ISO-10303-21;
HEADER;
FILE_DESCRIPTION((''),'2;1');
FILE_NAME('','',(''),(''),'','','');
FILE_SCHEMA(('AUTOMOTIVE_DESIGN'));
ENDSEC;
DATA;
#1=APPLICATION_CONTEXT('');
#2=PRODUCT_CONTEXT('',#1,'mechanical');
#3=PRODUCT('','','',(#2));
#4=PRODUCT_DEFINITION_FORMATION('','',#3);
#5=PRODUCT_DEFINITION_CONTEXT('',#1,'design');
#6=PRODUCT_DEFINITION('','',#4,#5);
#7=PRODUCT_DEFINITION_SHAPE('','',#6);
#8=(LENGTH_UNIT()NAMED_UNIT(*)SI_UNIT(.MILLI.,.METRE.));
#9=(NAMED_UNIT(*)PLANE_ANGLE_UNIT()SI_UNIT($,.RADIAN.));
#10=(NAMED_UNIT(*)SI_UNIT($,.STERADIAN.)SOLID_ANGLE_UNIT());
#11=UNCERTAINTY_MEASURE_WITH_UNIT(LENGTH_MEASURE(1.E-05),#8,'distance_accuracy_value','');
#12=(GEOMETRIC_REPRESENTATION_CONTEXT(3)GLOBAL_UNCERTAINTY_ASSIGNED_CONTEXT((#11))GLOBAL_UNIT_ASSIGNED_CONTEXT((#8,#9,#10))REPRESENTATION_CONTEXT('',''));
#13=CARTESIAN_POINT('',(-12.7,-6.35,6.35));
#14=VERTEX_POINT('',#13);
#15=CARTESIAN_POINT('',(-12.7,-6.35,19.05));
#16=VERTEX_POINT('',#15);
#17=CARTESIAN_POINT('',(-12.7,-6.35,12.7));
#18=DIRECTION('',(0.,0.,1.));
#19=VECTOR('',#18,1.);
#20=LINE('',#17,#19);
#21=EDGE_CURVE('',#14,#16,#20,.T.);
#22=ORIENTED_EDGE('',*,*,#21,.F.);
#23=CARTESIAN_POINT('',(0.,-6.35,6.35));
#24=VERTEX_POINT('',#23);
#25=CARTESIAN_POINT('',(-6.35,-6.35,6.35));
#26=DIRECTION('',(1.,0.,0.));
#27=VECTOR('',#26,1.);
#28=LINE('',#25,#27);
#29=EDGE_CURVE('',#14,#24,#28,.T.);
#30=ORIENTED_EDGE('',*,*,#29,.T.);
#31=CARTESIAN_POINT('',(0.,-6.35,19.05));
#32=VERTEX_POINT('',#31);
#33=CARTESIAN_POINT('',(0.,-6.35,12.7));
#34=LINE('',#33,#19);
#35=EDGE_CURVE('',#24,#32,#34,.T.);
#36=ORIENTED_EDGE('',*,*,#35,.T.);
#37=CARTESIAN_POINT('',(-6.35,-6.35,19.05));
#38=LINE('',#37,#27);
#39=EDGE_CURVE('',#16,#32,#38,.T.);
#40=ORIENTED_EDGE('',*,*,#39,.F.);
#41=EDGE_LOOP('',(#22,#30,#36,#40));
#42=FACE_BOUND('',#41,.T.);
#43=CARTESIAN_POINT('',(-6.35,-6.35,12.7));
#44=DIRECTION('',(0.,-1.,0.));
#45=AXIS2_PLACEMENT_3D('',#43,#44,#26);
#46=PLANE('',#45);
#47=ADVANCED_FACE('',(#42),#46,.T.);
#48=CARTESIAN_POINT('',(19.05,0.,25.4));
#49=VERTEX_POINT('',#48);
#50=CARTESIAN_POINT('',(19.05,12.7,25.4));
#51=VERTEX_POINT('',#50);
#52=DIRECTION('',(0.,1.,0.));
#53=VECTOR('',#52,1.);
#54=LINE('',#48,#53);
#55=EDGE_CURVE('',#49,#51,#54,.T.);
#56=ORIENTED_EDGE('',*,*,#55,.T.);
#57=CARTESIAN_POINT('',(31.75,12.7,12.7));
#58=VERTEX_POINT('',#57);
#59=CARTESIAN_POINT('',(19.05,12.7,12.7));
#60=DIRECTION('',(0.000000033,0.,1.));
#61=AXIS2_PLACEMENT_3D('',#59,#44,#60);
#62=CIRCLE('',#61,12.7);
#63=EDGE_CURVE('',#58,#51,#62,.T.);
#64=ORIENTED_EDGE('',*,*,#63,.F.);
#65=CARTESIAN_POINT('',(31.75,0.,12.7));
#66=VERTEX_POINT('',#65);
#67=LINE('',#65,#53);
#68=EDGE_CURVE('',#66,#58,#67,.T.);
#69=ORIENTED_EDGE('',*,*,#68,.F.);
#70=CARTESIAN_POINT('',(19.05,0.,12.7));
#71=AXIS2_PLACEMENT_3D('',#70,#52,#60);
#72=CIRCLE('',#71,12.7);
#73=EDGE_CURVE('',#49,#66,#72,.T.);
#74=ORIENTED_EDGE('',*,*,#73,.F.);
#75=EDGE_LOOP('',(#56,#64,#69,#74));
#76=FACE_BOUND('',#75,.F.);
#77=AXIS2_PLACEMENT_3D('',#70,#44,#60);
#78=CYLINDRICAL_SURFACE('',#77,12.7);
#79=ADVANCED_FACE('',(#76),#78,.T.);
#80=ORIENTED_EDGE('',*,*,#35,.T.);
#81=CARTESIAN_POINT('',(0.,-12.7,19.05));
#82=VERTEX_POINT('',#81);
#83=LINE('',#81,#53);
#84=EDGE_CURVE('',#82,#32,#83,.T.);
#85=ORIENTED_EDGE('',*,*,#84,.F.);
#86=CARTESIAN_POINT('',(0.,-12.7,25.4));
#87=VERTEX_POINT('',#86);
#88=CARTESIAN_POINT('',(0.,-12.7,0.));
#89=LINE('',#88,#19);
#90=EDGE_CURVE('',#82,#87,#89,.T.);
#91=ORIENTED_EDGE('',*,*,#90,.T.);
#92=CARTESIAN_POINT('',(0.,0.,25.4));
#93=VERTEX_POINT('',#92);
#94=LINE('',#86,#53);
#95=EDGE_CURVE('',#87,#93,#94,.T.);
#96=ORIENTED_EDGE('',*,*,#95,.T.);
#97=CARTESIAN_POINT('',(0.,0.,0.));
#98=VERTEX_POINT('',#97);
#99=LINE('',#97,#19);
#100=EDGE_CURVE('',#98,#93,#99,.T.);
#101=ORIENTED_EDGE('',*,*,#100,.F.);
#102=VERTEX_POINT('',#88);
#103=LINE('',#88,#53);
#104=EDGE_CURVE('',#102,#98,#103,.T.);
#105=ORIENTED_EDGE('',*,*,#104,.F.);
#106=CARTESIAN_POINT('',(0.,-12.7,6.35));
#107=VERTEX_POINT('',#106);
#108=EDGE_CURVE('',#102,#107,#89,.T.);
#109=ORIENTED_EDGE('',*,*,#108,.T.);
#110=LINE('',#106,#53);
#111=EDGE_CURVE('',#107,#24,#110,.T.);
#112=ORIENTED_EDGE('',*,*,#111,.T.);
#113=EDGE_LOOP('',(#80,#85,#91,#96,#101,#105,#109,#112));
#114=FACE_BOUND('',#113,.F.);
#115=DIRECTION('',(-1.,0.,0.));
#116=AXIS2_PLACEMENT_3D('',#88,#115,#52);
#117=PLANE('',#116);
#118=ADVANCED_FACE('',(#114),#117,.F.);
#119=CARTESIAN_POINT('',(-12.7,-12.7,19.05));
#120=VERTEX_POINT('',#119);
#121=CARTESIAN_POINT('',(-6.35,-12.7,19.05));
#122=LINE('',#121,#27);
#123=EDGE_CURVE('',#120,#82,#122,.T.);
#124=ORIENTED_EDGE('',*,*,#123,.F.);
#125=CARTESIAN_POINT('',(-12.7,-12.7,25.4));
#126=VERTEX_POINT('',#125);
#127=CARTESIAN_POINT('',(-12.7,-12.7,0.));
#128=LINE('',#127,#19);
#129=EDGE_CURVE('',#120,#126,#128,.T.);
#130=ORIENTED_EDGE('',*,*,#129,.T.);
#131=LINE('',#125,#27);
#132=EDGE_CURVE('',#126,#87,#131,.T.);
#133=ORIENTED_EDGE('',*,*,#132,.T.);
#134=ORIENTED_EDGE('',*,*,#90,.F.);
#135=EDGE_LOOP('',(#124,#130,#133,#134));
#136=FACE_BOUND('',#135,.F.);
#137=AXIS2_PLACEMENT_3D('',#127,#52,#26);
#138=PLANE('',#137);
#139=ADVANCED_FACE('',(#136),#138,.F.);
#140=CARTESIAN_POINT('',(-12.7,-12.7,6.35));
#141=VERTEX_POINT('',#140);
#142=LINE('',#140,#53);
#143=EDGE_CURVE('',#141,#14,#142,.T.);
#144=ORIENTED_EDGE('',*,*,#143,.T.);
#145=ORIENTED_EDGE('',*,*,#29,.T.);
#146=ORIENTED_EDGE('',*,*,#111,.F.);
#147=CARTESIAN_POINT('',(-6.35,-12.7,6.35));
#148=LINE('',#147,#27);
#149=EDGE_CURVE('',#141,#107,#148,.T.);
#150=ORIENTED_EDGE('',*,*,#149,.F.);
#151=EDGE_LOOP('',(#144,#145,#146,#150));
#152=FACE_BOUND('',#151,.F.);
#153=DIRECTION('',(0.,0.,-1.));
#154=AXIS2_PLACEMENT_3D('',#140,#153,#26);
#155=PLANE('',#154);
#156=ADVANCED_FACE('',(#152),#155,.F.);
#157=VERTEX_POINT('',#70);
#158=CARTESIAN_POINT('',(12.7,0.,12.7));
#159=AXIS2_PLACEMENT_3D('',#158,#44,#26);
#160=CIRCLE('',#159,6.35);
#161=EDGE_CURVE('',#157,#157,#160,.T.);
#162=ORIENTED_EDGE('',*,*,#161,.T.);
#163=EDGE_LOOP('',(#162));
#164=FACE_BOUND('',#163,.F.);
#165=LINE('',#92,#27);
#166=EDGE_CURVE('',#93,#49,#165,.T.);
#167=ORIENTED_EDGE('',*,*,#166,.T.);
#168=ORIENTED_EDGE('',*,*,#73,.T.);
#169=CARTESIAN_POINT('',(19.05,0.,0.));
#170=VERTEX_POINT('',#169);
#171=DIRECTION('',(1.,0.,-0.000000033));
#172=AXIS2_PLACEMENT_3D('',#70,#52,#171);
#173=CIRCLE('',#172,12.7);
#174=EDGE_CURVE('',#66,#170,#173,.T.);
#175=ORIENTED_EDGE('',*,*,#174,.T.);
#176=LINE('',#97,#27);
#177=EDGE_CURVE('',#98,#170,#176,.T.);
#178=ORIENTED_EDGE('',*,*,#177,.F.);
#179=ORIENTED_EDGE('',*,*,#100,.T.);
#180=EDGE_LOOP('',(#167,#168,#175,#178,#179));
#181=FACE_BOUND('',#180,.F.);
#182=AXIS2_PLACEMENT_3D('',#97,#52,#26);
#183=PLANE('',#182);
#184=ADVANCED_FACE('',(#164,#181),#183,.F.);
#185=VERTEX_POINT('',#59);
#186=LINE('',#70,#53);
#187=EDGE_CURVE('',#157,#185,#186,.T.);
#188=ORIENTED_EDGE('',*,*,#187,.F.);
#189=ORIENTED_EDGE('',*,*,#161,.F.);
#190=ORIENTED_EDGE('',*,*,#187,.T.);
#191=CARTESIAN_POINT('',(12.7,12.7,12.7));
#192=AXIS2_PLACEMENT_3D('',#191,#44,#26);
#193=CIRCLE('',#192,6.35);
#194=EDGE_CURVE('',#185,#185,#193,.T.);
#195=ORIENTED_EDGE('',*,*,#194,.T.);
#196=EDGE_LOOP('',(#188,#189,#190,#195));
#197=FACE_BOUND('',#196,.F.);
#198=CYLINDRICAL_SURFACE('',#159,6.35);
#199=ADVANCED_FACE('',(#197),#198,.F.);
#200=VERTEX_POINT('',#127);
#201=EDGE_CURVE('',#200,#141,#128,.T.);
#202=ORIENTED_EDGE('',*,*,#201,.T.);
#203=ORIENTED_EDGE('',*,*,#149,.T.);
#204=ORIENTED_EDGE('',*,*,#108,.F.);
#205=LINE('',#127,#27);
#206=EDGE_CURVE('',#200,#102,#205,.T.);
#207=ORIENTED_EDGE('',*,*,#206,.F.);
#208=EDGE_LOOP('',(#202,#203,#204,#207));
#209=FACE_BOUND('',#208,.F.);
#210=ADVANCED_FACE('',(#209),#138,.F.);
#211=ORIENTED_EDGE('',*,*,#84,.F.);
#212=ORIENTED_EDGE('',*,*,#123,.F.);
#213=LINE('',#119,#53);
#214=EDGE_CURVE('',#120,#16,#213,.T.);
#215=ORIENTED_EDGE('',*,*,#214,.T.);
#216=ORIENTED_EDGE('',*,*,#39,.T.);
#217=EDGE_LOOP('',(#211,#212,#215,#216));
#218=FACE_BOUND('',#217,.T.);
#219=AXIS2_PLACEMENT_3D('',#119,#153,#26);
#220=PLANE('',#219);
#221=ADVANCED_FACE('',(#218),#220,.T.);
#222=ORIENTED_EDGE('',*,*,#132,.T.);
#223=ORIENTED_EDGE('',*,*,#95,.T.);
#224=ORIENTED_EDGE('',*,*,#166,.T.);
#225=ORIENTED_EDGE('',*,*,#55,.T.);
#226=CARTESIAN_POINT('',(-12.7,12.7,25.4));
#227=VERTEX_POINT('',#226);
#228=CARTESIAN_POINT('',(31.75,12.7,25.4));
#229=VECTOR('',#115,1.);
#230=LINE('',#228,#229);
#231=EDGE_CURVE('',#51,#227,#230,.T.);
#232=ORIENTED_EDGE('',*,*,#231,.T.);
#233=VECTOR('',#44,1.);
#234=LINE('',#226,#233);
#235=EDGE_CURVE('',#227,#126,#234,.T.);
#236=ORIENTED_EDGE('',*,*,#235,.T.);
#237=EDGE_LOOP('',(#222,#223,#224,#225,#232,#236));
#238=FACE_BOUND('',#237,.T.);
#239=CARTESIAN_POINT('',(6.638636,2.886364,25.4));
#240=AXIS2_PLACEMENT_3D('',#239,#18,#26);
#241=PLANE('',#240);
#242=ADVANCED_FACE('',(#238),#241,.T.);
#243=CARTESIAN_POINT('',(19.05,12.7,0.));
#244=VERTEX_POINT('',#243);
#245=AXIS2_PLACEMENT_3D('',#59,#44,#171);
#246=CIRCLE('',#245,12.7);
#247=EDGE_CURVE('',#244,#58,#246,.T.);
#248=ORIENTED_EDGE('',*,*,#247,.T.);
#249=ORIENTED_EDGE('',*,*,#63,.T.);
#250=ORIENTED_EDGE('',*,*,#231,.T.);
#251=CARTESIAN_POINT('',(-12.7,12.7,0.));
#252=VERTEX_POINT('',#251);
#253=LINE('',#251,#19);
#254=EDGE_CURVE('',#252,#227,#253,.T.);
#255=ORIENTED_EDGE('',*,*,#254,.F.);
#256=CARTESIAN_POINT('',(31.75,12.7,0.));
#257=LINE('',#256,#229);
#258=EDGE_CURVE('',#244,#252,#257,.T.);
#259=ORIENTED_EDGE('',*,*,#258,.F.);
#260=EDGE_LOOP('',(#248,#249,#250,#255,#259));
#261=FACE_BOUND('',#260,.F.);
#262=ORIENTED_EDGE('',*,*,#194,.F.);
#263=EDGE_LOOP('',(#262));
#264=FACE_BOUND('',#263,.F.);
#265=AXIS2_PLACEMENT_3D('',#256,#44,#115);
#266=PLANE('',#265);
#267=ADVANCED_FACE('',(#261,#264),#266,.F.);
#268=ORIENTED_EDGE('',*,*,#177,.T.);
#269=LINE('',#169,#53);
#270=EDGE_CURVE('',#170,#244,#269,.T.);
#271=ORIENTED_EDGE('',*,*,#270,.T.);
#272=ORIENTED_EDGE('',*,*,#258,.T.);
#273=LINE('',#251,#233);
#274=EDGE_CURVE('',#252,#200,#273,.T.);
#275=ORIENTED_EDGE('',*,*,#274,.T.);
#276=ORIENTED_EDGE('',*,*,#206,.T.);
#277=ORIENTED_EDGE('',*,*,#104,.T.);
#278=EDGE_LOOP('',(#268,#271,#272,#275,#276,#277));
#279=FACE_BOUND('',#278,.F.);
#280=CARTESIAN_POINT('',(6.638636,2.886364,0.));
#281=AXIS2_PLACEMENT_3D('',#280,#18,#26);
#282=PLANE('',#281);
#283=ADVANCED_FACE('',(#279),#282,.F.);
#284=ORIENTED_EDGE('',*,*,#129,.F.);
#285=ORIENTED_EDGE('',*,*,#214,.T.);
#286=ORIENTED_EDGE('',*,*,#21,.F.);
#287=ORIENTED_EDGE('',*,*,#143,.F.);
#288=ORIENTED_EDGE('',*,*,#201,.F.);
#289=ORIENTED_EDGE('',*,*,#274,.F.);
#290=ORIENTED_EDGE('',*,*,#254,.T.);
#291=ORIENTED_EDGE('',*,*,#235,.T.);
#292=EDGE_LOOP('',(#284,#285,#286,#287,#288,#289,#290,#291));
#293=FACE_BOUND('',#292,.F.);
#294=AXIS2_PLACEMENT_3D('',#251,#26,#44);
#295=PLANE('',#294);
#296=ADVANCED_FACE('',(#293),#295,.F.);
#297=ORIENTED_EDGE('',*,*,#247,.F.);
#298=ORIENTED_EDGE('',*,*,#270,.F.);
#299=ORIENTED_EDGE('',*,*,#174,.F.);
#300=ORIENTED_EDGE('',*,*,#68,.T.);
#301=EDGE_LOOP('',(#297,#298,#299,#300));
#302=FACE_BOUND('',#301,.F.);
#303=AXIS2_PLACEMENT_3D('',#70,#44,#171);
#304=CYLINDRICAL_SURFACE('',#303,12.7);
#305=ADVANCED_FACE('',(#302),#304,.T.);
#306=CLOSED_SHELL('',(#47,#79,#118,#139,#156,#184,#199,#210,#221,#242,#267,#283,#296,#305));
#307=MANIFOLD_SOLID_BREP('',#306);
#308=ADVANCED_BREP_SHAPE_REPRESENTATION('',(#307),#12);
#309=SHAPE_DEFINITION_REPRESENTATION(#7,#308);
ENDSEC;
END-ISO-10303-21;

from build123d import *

# Parameters (mm, degrees)
F1_DEPTH = 25.4
F2_W     = 12.7
F2_H     = 12.7
F3_DEPTH = 6.35
F5_DEPTH = 25.4
F6_R     = 6.35
F7_DEPTH = 25.4


with BuildPart() as f1:
    # F0 (on Top) → F1 (new body)
    with BuildSketch(Plane.XY):
        Polygon((0, -12.7), (0, 0), (31.75, 0), (31.75, 12.7), (-12.7, 12.7), (-12.7, -12.7), align=None)
    extrude(amount=F1_DEPTH)

    # F2 (on face) → F3 (cut)
    with BuildSketch(Plane.XZ.offset(12.7)):
        with Locations((-6.35, 12.7)):
            Rectangle(F2_W, F2_H)
    extrude(amount=-F3_DEPTH, mode=Mode.SUBTRACT)

    # F4 (on face) → F5 (cut)
    with BuildSketch(Plane.XZ):
        with BuildLine():
            ThreePointArc((19.05, 25.4), (28.030256, 21.680256), (31.75, 12.7))
            Line((31.75, 12.7), (31.75, 25.4))
            Line((31.75, 25.4), (19.05, 25.4))
        make_face()
        with BuildLine():
            ThreePointArc((31.75, 12.7), (28.030256, 3.719744), (19.05, 0))
            Line((19.05, 0), (31.75, 0))
            Line((31.75, 0), (31.75, 12.7))
        make_face()
    extrude(amount=-F5_DEPTH, mode=Mode.SUBTRACT)

    # F6 (on face) → F7 (cut)
    with BuildSketch(Plane.XZ):
        with Locations((12.7, 12.7)):
            Circle(F6_R)
    extrude(amount=-F7_DEPTH, mode=Mode.SUBTRACT)


solid = f1.part
